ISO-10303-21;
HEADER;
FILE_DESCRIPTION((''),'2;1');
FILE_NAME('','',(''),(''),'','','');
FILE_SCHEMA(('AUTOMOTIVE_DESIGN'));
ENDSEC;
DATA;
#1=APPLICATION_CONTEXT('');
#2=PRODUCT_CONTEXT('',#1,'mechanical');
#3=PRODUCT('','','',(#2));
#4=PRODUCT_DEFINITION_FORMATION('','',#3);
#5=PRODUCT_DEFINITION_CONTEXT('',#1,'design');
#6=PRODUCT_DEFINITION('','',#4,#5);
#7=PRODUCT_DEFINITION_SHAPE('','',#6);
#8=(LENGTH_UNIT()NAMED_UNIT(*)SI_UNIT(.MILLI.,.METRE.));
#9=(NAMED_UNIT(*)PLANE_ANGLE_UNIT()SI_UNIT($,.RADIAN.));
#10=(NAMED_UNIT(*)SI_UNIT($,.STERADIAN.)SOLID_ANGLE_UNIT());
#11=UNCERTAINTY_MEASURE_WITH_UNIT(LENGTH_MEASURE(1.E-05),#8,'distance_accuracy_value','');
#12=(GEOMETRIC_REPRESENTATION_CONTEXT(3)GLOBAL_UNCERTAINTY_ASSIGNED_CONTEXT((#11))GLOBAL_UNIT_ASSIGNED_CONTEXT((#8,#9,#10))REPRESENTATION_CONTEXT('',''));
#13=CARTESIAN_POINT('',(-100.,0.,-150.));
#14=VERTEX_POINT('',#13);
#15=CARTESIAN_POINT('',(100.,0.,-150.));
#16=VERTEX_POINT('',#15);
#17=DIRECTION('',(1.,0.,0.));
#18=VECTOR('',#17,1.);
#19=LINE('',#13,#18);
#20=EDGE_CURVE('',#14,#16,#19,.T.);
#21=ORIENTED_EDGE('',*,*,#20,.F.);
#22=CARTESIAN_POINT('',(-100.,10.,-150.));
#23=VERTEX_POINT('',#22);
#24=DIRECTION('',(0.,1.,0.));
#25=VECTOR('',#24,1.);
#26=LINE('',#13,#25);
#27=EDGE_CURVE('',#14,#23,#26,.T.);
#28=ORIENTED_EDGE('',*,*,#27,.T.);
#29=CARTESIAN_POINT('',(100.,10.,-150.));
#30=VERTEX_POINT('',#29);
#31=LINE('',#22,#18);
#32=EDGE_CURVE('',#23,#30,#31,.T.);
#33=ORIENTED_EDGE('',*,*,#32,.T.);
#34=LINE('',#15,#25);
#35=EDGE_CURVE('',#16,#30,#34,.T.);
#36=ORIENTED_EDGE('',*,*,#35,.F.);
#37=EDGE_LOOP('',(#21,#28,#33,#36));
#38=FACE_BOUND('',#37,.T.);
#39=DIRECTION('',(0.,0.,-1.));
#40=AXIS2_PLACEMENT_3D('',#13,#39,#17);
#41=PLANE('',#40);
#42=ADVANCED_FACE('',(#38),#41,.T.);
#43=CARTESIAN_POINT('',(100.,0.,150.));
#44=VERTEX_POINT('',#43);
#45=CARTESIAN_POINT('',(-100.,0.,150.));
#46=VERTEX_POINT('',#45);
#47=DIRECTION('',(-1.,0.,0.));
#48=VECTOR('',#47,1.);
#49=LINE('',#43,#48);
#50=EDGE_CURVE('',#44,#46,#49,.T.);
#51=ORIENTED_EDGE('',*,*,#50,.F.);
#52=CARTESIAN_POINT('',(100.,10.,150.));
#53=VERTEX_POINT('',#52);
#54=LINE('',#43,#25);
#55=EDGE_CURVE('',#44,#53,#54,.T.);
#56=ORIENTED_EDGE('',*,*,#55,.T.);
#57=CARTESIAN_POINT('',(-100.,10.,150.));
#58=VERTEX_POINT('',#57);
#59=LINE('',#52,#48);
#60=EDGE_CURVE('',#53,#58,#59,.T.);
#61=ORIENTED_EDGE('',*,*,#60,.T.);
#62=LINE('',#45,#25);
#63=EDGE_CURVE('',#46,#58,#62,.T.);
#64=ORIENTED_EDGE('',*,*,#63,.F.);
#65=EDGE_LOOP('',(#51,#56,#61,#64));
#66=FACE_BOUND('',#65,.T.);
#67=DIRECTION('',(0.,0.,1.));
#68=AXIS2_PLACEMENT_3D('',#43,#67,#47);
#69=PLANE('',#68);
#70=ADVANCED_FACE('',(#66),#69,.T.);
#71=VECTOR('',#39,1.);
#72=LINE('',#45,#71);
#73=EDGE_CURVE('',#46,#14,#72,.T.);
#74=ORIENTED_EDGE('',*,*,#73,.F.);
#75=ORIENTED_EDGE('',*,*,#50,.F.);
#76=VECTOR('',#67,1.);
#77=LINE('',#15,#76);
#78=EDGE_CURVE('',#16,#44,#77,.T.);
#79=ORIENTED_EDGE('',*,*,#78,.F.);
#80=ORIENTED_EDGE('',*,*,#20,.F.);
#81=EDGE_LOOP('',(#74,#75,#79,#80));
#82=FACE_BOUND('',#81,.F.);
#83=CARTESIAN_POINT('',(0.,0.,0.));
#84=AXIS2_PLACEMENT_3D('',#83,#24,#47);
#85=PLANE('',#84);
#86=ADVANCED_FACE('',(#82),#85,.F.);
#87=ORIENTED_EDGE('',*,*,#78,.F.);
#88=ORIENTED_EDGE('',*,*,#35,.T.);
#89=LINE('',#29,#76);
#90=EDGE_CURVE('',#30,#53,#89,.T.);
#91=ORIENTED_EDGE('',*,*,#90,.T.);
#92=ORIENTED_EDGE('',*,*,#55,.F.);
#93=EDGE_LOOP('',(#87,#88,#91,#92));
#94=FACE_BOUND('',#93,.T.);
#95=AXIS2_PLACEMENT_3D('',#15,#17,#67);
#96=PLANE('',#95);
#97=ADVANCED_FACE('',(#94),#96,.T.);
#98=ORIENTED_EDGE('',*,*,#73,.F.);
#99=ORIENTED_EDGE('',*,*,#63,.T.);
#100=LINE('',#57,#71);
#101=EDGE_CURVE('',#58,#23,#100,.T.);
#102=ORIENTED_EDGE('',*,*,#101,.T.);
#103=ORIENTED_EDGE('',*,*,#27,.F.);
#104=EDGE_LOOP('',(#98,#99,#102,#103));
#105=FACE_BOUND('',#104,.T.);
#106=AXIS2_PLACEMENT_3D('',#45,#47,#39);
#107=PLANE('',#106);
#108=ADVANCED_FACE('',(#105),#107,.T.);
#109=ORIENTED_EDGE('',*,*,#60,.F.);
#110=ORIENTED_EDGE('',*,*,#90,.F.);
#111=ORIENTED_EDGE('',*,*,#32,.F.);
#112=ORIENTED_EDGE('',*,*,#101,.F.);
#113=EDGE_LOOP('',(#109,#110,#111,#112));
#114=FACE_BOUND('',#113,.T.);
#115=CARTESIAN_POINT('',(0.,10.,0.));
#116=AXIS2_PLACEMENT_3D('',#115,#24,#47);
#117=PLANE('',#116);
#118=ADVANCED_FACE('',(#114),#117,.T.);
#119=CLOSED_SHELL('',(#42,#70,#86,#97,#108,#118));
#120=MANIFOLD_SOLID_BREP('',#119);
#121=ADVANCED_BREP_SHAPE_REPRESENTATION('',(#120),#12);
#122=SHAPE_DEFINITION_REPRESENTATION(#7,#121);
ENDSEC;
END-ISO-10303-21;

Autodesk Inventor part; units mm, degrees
ref_plane "YZ Plane" through (0, 0, 0) normal (1, 0, 0) x (0, 1, 0)
ref_plane "XZ Plane" through (0, 0, 0) normal (0, 1, 0) x (-1, 0, 0)
ref_plane "XY Plane" through (0, 0, 0) normal (0, 0, 1) x (1, 0, 0)
sketch "Sketch1" plane through (0, 0, 0) normal (0, 1, 0) x (-1, 0, 0)
  line L0 (-100, 150) -> (100, 150)
  line L1 (100, 150) -> (100, -150)
  line L2 (100, -150) -> (-100, -150)
  line L3 (-100, -150) -> (-100, 150)
  line L4 (-100, 150) -> (100, -150) construction
  line L5 (100, 150) -> (-100, -150) construction
  point P0 (0, 0)
  dimension "d0" = 200
  dimension "d1" = 300
extrude "Extrusion1" add sketch "Sketch1" along normal blind 10
properties part number "PEEK Sheet"
